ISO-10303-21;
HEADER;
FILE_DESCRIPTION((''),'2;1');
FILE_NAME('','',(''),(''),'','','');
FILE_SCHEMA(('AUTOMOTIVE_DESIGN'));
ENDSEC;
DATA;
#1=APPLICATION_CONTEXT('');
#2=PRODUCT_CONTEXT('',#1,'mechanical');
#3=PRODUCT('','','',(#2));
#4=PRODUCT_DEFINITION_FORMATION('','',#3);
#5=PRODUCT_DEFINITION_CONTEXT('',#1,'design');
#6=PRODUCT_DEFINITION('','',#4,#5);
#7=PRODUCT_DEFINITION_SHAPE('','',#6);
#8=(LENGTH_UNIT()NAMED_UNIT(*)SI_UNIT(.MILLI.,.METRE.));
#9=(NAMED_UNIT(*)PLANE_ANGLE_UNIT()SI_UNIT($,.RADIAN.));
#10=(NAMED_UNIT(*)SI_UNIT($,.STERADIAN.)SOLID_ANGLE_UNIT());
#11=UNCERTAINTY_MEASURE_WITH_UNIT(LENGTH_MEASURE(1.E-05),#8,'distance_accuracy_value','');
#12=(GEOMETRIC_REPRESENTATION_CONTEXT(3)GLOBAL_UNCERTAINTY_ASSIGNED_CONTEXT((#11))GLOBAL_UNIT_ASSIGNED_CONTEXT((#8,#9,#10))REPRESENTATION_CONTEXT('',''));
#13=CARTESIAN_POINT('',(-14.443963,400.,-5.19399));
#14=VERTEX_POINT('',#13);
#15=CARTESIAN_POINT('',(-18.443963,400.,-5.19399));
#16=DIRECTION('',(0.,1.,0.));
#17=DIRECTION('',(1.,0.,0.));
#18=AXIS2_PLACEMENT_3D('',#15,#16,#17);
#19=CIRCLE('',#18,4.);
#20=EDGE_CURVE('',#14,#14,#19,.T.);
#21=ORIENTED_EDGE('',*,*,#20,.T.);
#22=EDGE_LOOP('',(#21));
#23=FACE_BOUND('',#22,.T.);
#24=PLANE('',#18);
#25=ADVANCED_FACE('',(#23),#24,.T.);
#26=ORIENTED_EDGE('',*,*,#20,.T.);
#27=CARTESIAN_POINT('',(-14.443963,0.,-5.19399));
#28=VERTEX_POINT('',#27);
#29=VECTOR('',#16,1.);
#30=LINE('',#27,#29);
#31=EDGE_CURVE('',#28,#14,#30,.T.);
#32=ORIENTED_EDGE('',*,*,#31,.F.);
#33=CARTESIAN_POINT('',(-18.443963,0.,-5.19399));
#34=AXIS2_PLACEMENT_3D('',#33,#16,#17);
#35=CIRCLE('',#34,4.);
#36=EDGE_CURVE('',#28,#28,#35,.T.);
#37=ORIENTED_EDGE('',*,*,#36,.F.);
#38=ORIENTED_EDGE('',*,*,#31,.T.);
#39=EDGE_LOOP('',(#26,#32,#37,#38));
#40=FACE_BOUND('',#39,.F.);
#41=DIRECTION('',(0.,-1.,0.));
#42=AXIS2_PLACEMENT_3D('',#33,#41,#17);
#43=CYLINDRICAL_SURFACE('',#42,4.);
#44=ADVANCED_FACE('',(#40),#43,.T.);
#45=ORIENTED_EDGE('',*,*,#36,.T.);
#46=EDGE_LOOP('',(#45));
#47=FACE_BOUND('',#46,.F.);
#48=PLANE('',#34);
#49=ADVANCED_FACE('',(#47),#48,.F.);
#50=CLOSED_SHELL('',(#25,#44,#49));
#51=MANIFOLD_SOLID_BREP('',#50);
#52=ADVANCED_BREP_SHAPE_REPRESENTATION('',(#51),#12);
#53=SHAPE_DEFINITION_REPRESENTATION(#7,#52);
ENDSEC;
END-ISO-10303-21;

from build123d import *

# Parameters (mm, degrees)
SKETCH1_R           = 4
BOSS_EXTRUDE1_DEPTH = 400


with BuildPart() as part:
    # Sketch1 → Boss-Extrude1 (new body)
    with BuildSketch(Plane(origin=(0, 0, 0), x_dir=(1, 0, 0), z_dir=(0, 1, 0))):
        with Locations((-18.443963112, 5.193989612)):
            Circle(SKETCH1_R)
    extrude(amount=BOSS_EXTRUDE1_DEPTH)


solid = part.part
